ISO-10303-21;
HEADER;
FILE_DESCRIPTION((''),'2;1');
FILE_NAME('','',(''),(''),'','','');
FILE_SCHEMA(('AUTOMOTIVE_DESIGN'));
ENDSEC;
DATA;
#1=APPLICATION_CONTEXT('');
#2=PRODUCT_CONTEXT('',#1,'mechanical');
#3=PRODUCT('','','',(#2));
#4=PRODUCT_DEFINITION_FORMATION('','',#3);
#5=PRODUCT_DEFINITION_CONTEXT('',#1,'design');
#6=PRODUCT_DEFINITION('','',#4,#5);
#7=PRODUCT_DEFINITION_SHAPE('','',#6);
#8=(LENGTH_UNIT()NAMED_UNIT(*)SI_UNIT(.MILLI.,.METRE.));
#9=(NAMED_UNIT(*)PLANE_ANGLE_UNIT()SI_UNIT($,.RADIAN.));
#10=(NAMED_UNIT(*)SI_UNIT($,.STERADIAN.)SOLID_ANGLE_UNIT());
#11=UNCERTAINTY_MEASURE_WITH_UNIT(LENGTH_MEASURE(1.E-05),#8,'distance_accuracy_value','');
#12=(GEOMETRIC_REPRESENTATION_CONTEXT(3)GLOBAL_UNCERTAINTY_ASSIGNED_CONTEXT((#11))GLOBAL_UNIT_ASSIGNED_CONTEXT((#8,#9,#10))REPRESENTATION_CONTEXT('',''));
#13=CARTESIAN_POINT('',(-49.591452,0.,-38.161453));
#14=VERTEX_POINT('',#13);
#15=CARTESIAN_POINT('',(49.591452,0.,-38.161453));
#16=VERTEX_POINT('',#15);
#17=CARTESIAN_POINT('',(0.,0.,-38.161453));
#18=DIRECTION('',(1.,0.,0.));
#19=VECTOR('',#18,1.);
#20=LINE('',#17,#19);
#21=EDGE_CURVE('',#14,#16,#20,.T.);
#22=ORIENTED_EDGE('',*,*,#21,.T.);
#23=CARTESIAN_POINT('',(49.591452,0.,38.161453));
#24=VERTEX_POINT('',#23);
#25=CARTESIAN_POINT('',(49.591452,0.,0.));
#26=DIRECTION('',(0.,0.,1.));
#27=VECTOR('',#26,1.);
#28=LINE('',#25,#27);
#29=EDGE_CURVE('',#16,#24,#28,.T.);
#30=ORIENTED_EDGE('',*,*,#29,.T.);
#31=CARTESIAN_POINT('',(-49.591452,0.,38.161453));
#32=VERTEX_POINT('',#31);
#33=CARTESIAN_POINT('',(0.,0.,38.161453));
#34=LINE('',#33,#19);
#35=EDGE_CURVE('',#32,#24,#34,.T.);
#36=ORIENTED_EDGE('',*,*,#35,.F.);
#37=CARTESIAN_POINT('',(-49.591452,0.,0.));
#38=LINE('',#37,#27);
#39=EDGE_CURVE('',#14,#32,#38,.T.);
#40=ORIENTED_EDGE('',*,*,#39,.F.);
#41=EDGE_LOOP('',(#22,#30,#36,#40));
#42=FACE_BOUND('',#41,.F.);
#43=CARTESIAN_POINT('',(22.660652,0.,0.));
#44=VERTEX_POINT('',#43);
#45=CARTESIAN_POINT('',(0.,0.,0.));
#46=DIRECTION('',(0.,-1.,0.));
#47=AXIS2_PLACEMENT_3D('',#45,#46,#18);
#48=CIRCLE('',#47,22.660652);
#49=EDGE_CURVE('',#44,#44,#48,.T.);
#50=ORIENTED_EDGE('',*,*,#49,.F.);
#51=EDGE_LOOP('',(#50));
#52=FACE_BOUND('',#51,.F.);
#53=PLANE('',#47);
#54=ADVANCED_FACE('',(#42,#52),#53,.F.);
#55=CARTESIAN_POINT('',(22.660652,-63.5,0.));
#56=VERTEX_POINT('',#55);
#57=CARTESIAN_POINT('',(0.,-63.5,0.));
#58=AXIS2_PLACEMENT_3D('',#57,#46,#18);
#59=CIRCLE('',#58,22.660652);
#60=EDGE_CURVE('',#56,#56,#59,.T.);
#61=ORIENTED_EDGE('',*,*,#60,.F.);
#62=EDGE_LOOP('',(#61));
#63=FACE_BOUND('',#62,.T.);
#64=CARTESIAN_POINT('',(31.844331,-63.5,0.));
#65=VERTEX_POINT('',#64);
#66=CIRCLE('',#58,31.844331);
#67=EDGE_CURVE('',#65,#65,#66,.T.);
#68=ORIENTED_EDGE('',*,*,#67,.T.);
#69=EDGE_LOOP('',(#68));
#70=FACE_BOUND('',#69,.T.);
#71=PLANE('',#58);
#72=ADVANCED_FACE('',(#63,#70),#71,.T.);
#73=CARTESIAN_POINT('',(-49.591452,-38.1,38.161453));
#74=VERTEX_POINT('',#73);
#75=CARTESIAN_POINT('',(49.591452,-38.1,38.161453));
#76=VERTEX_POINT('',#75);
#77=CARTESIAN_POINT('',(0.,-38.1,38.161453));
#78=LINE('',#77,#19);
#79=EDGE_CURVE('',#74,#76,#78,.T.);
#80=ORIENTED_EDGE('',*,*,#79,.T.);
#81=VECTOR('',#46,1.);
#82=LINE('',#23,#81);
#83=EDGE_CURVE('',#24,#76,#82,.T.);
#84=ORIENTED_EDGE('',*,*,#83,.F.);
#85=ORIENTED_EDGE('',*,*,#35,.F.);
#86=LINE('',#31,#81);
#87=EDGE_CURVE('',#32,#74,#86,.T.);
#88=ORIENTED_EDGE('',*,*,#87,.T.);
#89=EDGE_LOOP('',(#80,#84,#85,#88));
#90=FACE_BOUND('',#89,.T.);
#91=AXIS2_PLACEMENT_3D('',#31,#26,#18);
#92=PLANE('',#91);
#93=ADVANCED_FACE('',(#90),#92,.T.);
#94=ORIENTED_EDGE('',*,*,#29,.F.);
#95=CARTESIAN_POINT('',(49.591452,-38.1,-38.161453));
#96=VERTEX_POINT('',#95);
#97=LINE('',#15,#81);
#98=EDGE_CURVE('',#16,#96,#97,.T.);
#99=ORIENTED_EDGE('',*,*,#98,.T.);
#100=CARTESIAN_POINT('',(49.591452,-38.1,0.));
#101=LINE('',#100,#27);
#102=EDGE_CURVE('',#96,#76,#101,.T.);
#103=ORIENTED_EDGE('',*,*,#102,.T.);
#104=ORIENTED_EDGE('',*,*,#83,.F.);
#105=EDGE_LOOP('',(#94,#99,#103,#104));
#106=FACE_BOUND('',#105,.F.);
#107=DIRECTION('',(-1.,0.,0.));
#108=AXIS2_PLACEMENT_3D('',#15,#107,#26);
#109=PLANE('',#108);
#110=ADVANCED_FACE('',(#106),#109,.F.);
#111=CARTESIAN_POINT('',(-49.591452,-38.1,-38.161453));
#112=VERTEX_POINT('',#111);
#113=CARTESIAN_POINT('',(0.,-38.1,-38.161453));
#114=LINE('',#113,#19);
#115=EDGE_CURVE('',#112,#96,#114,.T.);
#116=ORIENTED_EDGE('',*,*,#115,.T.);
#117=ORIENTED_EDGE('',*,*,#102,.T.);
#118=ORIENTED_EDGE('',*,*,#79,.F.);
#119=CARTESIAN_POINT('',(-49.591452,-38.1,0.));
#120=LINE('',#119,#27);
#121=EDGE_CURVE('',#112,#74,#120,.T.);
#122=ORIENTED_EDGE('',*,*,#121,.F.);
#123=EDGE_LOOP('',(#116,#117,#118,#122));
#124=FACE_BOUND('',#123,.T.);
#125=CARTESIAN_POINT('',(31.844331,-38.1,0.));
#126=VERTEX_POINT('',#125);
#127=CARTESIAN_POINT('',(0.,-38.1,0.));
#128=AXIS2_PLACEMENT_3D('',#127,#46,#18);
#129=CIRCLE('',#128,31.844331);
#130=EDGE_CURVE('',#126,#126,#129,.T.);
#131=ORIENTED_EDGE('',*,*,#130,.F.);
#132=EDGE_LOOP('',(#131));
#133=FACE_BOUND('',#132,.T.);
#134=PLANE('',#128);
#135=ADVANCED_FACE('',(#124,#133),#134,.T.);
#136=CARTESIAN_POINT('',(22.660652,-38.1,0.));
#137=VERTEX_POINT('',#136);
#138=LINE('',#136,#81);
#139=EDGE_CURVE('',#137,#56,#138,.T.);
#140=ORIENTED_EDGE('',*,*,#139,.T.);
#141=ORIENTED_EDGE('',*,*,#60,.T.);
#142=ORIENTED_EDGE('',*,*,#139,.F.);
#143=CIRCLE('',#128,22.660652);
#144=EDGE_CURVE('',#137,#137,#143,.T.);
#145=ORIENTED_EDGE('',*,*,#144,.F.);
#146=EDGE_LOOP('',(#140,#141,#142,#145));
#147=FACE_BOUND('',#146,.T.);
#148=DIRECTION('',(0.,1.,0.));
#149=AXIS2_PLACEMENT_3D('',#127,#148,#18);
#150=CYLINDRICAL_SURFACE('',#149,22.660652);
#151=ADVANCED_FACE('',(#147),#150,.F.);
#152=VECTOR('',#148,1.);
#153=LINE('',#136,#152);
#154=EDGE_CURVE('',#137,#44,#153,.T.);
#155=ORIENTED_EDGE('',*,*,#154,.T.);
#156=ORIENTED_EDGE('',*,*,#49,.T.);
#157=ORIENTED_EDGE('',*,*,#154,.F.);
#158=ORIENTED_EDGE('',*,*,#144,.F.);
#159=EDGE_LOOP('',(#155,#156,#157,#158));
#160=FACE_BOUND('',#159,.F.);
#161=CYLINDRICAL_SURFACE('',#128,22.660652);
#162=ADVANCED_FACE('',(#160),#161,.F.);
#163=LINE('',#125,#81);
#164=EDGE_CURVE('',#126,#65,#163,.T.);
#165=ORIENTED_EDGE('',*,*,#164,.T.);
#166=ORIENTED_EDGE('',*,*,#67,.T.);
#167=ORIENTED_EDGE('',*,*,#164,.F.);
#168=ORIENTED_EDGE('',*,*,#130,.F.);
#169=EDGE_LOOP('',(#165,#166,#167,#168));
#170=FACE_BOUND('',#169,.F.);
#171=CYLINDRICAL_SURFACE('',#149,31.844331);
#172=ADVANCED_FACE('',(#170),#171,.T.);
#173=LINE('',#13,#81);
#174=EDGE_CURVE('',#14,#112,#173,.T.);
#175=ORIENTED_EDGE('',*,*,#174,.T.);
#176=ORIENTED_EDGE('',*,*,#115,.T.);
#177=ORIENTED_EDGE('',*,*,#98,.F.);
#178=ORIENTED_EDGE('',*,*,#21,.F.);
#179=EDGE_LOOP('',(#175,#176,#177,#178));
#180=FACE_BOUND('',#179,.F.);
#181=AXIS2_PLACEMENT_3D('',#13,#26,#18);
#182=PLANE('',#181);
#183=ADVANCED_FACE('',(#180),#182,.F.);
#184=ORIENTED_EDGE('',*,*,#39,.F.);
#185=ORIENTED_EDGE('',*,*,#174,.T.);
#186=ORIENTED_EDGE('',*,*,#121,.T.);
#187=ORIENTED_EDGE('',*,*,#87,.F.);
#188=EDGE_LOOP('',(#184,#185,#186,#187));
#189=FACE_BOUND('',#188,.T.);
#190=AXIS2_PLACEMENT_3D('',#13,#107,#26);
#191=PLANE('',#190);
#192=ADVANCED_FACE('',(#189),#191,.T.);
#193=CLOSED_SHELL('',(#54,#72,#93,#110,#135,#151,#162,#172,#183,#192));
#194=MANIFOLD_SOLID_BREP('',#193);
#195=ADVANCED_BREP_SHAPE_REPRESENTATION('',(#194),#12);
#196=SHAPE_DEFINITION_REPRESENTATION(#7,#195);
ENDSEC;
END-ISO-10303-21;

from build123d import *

# Parameters (mm, degrees)
F0_W     = 99.182904
F0_H     = 76.322906
F1_DEPTH = 38.1
F2_R     = 31.844331
F2_R_2   = 22.660652
F3_DEPTH = 25.4
F4_R     = 22.660652
F5_DEPTH = 76.2


with BuildPart() as f1:
    # F0 (on Front) → F1 (new body)
    with BuildSketch(Plane.XZ):
        Rectangle(F0_W, F0_H)
    extrude(amount=F1_DEPTH)

    # F2 (on face) → F3 (join)
    with BuildSketch(Plane.XZ.offset(38.1)):
        Circle(F2_R)
        Circle(F2_R_2, mode=Mode.SUBTRACT)
    extrude(amount=F3_DEPTH)

    # F4 (on face) → F5 (cut)
    with BuildSketch(Plane.XZ.offset(38.1)):
        Circle(F4_R)
    extrude(amount=-F5_DEPTH, mode=Mode.SUBTRACT)


solid = f1.part
